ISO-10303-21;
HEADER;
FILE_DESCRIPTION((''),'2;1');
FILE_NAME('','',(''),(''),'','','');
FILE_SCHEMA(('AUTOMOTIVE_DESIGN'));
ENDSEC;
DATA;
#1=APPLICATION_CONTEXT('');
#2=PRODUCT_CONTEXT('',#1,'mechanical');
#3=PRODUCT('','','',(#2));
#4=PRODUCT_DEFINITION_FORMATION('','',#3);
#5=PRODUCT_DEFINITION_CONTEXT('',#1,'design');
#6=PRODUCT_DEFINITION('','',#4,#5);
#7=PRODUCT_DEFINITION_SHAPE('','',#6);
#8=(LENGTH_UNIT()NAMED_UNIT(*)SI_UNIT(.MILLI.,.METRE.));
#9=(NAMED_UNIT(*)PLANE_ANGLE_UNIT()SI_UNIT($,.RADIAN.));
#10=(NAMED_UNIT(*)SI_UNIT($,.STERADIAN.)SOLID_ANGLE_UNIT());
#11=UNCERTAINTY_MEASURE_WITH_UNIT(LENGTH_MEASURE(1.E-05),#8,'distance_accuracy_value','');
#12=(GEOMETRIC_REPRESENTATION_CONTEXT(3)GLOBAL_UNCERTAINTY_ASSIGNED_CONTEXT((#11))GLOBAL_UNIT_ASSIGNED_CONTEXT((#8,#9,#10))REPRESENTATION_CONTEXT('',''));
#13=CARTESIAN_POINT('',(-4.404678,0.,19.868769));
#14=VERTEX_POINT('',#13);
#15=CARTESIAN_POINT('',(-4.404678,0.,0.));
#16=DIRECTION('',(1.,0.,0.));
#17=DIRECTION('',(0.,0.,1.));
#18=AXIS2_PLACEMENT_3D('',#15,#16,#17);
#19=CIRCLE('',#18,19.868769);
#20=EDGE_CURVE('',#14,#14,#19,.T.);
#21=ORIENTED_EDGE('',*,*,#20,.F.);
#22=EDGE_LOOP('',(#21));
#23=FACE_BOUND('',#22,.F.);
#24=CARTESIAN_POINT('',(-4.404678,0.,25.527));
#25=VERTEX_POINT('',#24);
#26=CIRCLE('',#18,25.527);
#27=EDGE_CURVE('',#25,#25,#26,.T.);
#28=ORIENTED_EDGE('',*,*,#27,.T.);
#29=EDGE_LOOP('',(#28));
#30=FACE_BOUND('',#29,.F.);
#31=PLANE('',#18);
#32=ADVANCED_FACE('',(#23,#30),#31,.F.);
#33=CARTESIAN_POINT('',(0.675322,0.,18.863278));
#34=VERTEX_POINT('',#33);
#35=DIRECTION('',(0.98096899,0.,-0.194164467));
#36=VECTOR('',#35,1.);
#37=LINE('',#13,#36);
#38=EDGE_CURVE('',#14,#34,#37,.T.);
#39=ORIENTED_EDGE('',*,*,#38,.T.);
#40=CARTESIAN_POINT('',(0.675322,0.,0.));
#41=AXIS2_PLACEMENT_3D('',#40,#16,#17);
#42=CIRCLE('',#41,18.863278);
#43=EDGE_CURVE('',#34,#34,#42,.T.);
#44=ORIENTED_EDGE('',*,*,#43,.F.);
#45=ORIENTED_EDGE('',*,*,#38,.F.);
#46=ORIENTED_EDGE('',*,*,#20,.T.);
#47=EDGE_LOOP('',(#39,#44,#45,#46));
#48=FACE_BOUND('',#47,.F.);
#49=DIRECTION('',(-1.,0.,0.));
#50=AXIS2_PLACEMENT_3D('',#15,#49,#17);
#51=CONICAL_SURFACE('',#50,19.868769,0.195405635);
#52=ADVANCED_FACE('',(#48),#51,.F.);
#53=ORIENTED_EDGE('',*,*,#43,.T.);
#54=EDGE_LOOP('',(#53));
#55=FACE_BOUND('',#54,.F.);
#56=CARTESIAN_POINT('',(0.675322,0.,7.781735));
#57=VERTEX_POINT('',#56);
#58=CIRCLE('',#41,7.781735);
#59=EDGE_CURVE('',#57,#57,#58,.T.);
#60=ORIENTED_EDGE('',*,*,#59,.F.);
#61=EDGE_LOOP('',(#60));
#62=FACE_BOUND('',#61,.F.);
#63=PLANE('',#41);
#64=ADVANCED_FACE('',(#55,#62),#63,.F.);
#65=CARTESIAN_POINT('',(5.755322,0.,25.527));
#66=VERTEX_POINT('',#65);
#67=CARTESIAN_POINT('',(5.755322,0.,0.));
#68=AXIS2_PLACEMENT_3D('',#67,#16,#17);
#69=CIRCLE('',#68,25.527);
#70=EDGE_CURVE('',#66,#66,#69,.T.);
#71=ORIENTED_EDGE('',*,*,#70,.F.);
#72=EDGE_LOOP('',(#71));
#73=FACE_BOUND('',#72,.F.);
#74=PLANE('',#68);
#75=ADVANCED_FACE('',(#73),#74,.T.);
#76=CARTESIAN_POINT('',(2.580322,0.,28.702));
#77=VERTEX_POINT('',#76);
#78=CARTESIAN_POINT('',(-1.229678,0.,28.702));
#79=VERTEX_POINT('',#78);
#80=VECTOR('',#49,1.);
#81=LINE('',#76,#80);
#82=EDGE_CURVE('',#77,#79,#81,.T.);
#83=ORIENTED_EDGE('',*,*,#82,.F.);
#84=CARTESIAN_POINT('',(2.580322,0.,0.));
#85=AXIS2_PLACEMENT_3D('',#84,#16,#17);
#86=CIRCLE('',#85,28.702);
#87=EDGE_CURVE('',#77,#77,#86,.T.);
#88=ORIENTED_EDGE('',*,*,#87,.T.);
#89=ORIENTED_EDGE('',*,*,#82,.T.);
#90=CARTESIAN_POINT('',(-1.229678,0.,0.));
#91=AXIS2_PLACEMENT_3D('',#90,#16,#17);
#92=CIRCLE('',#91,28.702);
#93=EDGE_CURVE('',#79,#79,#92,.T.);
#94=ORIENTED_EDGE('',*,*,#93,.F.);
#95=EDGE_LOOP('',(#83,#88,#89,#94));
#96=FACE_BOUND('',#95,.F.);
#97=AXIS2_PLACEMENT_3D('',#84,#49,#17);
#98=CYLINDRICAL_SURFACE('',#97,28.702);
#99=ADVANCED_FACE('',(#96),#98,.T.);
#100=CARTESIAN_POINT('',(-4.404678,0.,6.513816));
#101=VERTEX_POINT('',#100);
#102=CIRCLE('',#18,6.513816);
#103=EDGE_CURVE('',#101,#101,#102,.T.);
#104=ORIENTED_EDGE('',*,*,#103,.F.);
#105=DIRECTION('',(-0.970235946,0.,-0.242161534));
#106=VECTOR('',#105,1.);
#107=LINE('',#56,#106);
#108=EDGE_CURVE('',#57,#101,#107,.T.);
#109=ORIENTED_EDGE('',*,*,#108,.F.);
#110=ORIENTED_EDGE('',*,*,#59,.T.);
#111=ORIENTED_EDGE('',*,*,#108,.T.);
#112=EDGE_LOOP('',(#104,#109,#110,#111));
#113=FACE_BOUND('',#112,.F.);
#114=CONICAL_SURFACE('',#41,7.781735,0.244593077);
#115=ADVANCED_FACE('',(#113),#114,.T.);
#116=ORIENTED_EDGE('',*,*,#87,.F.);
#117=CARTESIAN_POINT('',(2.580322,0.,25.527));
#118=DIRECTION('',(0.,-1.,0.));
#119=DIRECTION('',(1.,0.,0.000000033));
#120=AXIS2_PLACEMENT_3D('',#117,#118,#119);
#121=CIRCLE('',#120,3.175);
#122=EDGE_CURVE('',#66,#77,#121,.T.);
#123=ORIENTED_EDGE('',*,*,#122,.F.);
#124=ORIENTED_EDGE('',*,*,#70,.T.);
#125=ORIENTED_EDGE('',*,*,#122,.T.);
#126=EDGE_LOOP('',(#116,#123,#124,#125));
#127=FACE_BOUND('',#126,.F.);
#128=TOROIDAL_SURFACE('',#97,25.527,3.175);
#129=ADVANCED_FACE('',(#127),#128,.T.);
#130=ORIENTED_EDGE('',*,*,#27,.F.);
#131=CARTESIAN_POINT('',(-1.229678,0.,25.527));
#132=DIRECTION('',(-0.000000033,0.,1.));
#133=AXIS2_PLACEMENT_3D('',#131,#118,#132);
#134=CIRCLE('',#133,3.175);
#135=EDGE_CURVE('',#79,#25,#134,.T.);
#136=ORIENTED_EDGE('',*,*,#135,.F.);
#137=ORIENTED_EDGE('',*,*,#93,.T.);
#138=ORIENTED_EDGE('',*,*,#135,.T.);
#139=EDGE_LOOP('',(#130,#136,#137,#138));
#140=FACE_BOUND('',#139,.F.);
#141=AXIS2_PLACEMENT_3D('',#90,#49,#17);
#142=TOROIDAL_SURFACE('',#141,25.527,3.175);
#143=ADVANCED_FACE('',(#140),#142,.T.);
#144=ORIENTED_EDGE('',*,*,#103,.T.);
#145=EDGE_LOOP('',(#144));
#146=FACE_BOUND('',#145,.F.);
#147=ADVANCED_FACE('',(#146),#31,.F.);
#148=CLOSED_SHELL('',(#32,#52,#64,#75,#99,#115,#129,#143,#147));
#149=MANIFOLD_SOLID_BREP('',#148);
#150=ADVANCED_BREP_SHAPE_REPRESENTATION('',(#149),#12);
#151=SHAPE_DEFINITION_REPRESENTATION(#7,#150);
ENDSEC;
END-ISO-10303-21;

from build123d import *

# Parameters (mm, degrees)
F0_W = 5.08
F0_H = 6.604


with BuildPart() as f1:
    # F0 (on Front) → F1 (revolve)
    with BuildSketch(Plane.XZ):
        with Locations((3.215322, 12.7)):
            Rectangle(F0_W, F0_H)
        with BuildLine():
            Line((-4.404678, 25.527), (-4.404678, 19.868769))
            Line((-4.404678, 19.868769), (0.675322, 18.863278))
            Line((0.675322, 18.863278), (0.675322, 16.002))
            Line((0.675322, 16.002), (5.755322, 16.002))
            Line((5.755322, 16.002), (5.755322, 25.527))
            ThreePointArc((5.755322, 25.527), (4.825386, 27.772064), (2.580322, 28.702))
            Line((2.580322, 28.702), (-1.229678, 28.702))
            ThreePointArc((-1.229678, 28.702), (-3.474742, 27.772064), (-4.404678, 25.527))
        make_face()
        Polygon((-4.404678, 6.513816), (-4.404678, 0), (5.755322, 0), (5.755322, 9.398), (0.675322, 9.398), (0.675322, 7.781735), align=None)
    revolve(axis=Axis((0.675322, 0, 0), (1, 0, 0)))


solid = f1.part
